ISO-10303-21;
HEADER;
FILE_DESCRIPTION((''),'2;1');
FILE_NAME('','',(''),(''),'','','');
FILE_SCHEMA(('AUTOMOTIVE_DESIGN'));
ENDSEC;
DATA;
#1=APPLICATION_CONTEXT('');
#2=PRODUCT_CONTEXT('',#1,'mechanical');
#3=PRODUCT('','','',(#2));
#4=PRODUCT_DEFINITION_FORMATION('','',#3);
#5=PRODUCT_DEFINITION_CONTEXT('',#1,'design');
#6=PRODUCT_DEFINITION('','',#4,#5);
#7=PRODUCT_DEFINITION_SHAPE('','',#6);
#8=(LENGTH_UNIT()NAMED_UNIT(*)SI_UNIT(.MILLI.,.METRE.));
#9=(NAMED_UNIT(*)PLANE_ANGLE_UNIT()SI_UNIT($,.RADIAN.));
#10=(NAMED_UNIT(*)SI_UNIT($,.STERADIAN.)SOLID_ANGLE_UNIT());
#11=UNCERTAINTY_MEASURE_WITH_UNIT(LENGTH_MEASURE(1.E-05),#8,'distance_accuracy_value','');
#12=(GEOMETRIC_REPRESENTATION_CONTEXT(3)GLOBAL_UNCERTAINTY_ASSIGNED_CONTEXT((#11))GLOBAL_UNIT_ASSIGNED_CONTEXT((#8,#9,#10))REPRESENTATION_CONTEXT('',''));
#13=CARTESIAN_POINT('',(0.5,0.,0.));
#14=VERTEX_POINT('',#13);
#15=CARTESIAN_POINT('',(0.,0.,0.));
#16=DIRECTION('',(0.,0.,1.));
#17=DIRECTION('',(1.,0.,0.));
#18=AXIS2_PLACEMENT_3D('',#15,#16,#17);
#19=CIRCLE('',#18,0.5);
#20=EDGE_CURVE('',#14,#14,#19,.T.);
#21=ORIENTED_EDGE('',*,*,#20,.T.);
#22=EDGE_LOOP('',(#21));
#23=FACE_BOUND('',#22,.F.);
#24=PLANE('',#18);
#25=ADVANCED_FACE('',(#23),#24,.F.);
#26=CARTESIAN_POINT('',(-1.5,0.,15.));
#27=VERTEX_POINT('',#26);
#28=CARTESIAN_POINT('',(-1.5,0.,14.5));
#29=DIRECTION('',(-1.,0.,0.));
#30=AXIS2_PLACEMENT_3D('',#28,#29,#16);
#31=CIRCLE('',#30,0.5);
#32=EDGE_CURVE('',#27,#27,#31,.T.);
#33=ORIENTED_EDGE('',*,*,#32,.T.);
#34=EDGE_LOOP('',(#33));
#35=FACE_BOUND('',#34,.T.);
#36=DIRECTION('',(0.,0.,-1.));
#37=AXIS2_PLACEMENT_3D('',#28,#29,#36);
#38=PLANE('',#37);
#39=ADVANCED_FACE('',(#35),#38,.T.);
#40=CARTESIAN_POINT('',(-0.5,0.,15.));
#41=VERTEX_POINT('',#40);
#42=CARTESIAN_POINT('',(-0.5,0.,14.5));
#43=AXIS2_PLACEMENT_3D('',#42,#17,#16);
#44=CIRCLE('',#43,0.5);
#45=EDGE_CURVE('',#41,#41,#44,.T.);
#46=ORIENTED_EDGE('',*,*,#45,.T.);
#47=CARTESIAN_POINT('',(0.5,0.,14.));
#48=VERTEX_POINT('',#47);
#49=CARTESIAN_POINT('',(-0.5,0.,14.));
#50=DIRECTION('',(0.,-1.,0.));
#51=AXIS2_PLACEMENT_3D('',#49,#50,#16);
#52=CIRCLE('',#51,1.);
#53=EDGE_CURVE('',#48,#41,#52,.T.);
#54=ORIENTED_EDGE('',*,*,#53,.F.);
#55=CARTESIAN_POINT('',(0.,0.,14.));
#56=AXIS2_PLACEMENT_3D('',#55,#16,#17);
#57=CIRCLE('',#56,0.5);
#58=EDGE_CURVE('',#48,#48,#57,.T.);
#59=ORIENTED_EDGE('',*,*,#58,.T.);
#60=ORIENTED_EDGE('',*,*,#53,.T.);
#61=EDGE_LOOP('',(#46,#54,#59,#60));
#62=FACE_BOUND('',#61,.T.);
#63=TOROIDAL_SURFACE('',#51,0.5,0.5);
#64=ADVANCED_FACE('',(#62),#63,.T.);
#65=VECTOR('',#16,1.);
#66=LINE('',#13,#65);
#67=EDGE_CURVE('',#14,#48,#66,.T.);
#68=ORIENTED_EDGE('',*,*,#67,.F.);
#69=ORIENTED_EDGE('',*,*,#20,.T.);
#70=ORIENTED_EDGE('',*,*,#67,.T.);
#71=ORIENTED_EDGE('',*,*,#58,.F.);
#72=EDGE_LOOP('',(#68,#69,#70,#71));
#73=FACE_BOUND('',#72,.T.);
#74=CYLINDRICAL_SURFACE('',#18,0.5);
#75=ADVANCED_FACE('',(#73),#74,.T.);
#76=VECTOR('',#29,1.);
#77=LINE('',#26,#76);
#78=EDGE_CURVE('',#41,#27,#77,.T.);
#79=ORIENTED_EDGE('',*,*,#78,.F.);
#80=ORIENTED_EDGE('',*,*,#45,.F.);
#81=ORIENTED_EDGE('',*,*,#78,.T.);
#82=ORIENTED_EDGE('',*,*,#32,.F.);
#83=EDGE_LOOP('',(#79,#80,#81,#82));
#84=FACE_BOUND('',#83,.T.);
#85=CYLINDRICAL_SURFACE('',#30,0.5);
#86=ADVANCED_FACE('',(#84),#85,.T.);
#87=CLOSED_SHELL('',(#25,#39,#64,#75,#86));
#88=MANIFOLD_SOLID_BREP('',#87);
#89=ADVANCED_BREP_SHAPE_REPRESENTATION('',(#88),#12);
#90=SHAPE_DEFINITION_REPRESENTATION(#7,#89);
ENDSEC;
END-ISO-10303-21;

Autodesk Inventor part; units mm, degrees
ref_plane "YZ Plane" through (0, 0, 0) normal (1, 0, 0) x (0, 1, 0)
ref_plane "XZ Plane" through (0, 0, 0) normal (0, 1, 0) x (-1, 0, 0)
ref_plane "XY Plane" through (0, 0, 0) normal (0, 0, 1) x (1, 0, 0)
sketch "Sketch1" plane through (0, 0, 0) normal (0, 0, 1) x (1, 0, 0)
  circle A0 centre (0, 0) radius 0.5
  dimension "d0" = 1
sketch "Sketch2" plane through (0, 0, 0) normal (0, 1, 0) x (-1, 0, 0)
  line L0 (0.5, 15) -> (0.5, 15)
  line L1 (1.5, 14.5) -> (0.5, 14.5)
  line L2 (0, 0) -> (0, 14)
  arc A0 (0.5, 14.5) -> (0, 14) centre (0.5, 14) ccw
  dimension "d9" = 14
  dimension "d10" = 0.5
  dimension "d11" = 135
  dimension "d12" = 1
sweep "Sweep2" add profiles "Sketch1" path "Sketch2" path curves L2 A0 L1
properties part number "arm_stop"
